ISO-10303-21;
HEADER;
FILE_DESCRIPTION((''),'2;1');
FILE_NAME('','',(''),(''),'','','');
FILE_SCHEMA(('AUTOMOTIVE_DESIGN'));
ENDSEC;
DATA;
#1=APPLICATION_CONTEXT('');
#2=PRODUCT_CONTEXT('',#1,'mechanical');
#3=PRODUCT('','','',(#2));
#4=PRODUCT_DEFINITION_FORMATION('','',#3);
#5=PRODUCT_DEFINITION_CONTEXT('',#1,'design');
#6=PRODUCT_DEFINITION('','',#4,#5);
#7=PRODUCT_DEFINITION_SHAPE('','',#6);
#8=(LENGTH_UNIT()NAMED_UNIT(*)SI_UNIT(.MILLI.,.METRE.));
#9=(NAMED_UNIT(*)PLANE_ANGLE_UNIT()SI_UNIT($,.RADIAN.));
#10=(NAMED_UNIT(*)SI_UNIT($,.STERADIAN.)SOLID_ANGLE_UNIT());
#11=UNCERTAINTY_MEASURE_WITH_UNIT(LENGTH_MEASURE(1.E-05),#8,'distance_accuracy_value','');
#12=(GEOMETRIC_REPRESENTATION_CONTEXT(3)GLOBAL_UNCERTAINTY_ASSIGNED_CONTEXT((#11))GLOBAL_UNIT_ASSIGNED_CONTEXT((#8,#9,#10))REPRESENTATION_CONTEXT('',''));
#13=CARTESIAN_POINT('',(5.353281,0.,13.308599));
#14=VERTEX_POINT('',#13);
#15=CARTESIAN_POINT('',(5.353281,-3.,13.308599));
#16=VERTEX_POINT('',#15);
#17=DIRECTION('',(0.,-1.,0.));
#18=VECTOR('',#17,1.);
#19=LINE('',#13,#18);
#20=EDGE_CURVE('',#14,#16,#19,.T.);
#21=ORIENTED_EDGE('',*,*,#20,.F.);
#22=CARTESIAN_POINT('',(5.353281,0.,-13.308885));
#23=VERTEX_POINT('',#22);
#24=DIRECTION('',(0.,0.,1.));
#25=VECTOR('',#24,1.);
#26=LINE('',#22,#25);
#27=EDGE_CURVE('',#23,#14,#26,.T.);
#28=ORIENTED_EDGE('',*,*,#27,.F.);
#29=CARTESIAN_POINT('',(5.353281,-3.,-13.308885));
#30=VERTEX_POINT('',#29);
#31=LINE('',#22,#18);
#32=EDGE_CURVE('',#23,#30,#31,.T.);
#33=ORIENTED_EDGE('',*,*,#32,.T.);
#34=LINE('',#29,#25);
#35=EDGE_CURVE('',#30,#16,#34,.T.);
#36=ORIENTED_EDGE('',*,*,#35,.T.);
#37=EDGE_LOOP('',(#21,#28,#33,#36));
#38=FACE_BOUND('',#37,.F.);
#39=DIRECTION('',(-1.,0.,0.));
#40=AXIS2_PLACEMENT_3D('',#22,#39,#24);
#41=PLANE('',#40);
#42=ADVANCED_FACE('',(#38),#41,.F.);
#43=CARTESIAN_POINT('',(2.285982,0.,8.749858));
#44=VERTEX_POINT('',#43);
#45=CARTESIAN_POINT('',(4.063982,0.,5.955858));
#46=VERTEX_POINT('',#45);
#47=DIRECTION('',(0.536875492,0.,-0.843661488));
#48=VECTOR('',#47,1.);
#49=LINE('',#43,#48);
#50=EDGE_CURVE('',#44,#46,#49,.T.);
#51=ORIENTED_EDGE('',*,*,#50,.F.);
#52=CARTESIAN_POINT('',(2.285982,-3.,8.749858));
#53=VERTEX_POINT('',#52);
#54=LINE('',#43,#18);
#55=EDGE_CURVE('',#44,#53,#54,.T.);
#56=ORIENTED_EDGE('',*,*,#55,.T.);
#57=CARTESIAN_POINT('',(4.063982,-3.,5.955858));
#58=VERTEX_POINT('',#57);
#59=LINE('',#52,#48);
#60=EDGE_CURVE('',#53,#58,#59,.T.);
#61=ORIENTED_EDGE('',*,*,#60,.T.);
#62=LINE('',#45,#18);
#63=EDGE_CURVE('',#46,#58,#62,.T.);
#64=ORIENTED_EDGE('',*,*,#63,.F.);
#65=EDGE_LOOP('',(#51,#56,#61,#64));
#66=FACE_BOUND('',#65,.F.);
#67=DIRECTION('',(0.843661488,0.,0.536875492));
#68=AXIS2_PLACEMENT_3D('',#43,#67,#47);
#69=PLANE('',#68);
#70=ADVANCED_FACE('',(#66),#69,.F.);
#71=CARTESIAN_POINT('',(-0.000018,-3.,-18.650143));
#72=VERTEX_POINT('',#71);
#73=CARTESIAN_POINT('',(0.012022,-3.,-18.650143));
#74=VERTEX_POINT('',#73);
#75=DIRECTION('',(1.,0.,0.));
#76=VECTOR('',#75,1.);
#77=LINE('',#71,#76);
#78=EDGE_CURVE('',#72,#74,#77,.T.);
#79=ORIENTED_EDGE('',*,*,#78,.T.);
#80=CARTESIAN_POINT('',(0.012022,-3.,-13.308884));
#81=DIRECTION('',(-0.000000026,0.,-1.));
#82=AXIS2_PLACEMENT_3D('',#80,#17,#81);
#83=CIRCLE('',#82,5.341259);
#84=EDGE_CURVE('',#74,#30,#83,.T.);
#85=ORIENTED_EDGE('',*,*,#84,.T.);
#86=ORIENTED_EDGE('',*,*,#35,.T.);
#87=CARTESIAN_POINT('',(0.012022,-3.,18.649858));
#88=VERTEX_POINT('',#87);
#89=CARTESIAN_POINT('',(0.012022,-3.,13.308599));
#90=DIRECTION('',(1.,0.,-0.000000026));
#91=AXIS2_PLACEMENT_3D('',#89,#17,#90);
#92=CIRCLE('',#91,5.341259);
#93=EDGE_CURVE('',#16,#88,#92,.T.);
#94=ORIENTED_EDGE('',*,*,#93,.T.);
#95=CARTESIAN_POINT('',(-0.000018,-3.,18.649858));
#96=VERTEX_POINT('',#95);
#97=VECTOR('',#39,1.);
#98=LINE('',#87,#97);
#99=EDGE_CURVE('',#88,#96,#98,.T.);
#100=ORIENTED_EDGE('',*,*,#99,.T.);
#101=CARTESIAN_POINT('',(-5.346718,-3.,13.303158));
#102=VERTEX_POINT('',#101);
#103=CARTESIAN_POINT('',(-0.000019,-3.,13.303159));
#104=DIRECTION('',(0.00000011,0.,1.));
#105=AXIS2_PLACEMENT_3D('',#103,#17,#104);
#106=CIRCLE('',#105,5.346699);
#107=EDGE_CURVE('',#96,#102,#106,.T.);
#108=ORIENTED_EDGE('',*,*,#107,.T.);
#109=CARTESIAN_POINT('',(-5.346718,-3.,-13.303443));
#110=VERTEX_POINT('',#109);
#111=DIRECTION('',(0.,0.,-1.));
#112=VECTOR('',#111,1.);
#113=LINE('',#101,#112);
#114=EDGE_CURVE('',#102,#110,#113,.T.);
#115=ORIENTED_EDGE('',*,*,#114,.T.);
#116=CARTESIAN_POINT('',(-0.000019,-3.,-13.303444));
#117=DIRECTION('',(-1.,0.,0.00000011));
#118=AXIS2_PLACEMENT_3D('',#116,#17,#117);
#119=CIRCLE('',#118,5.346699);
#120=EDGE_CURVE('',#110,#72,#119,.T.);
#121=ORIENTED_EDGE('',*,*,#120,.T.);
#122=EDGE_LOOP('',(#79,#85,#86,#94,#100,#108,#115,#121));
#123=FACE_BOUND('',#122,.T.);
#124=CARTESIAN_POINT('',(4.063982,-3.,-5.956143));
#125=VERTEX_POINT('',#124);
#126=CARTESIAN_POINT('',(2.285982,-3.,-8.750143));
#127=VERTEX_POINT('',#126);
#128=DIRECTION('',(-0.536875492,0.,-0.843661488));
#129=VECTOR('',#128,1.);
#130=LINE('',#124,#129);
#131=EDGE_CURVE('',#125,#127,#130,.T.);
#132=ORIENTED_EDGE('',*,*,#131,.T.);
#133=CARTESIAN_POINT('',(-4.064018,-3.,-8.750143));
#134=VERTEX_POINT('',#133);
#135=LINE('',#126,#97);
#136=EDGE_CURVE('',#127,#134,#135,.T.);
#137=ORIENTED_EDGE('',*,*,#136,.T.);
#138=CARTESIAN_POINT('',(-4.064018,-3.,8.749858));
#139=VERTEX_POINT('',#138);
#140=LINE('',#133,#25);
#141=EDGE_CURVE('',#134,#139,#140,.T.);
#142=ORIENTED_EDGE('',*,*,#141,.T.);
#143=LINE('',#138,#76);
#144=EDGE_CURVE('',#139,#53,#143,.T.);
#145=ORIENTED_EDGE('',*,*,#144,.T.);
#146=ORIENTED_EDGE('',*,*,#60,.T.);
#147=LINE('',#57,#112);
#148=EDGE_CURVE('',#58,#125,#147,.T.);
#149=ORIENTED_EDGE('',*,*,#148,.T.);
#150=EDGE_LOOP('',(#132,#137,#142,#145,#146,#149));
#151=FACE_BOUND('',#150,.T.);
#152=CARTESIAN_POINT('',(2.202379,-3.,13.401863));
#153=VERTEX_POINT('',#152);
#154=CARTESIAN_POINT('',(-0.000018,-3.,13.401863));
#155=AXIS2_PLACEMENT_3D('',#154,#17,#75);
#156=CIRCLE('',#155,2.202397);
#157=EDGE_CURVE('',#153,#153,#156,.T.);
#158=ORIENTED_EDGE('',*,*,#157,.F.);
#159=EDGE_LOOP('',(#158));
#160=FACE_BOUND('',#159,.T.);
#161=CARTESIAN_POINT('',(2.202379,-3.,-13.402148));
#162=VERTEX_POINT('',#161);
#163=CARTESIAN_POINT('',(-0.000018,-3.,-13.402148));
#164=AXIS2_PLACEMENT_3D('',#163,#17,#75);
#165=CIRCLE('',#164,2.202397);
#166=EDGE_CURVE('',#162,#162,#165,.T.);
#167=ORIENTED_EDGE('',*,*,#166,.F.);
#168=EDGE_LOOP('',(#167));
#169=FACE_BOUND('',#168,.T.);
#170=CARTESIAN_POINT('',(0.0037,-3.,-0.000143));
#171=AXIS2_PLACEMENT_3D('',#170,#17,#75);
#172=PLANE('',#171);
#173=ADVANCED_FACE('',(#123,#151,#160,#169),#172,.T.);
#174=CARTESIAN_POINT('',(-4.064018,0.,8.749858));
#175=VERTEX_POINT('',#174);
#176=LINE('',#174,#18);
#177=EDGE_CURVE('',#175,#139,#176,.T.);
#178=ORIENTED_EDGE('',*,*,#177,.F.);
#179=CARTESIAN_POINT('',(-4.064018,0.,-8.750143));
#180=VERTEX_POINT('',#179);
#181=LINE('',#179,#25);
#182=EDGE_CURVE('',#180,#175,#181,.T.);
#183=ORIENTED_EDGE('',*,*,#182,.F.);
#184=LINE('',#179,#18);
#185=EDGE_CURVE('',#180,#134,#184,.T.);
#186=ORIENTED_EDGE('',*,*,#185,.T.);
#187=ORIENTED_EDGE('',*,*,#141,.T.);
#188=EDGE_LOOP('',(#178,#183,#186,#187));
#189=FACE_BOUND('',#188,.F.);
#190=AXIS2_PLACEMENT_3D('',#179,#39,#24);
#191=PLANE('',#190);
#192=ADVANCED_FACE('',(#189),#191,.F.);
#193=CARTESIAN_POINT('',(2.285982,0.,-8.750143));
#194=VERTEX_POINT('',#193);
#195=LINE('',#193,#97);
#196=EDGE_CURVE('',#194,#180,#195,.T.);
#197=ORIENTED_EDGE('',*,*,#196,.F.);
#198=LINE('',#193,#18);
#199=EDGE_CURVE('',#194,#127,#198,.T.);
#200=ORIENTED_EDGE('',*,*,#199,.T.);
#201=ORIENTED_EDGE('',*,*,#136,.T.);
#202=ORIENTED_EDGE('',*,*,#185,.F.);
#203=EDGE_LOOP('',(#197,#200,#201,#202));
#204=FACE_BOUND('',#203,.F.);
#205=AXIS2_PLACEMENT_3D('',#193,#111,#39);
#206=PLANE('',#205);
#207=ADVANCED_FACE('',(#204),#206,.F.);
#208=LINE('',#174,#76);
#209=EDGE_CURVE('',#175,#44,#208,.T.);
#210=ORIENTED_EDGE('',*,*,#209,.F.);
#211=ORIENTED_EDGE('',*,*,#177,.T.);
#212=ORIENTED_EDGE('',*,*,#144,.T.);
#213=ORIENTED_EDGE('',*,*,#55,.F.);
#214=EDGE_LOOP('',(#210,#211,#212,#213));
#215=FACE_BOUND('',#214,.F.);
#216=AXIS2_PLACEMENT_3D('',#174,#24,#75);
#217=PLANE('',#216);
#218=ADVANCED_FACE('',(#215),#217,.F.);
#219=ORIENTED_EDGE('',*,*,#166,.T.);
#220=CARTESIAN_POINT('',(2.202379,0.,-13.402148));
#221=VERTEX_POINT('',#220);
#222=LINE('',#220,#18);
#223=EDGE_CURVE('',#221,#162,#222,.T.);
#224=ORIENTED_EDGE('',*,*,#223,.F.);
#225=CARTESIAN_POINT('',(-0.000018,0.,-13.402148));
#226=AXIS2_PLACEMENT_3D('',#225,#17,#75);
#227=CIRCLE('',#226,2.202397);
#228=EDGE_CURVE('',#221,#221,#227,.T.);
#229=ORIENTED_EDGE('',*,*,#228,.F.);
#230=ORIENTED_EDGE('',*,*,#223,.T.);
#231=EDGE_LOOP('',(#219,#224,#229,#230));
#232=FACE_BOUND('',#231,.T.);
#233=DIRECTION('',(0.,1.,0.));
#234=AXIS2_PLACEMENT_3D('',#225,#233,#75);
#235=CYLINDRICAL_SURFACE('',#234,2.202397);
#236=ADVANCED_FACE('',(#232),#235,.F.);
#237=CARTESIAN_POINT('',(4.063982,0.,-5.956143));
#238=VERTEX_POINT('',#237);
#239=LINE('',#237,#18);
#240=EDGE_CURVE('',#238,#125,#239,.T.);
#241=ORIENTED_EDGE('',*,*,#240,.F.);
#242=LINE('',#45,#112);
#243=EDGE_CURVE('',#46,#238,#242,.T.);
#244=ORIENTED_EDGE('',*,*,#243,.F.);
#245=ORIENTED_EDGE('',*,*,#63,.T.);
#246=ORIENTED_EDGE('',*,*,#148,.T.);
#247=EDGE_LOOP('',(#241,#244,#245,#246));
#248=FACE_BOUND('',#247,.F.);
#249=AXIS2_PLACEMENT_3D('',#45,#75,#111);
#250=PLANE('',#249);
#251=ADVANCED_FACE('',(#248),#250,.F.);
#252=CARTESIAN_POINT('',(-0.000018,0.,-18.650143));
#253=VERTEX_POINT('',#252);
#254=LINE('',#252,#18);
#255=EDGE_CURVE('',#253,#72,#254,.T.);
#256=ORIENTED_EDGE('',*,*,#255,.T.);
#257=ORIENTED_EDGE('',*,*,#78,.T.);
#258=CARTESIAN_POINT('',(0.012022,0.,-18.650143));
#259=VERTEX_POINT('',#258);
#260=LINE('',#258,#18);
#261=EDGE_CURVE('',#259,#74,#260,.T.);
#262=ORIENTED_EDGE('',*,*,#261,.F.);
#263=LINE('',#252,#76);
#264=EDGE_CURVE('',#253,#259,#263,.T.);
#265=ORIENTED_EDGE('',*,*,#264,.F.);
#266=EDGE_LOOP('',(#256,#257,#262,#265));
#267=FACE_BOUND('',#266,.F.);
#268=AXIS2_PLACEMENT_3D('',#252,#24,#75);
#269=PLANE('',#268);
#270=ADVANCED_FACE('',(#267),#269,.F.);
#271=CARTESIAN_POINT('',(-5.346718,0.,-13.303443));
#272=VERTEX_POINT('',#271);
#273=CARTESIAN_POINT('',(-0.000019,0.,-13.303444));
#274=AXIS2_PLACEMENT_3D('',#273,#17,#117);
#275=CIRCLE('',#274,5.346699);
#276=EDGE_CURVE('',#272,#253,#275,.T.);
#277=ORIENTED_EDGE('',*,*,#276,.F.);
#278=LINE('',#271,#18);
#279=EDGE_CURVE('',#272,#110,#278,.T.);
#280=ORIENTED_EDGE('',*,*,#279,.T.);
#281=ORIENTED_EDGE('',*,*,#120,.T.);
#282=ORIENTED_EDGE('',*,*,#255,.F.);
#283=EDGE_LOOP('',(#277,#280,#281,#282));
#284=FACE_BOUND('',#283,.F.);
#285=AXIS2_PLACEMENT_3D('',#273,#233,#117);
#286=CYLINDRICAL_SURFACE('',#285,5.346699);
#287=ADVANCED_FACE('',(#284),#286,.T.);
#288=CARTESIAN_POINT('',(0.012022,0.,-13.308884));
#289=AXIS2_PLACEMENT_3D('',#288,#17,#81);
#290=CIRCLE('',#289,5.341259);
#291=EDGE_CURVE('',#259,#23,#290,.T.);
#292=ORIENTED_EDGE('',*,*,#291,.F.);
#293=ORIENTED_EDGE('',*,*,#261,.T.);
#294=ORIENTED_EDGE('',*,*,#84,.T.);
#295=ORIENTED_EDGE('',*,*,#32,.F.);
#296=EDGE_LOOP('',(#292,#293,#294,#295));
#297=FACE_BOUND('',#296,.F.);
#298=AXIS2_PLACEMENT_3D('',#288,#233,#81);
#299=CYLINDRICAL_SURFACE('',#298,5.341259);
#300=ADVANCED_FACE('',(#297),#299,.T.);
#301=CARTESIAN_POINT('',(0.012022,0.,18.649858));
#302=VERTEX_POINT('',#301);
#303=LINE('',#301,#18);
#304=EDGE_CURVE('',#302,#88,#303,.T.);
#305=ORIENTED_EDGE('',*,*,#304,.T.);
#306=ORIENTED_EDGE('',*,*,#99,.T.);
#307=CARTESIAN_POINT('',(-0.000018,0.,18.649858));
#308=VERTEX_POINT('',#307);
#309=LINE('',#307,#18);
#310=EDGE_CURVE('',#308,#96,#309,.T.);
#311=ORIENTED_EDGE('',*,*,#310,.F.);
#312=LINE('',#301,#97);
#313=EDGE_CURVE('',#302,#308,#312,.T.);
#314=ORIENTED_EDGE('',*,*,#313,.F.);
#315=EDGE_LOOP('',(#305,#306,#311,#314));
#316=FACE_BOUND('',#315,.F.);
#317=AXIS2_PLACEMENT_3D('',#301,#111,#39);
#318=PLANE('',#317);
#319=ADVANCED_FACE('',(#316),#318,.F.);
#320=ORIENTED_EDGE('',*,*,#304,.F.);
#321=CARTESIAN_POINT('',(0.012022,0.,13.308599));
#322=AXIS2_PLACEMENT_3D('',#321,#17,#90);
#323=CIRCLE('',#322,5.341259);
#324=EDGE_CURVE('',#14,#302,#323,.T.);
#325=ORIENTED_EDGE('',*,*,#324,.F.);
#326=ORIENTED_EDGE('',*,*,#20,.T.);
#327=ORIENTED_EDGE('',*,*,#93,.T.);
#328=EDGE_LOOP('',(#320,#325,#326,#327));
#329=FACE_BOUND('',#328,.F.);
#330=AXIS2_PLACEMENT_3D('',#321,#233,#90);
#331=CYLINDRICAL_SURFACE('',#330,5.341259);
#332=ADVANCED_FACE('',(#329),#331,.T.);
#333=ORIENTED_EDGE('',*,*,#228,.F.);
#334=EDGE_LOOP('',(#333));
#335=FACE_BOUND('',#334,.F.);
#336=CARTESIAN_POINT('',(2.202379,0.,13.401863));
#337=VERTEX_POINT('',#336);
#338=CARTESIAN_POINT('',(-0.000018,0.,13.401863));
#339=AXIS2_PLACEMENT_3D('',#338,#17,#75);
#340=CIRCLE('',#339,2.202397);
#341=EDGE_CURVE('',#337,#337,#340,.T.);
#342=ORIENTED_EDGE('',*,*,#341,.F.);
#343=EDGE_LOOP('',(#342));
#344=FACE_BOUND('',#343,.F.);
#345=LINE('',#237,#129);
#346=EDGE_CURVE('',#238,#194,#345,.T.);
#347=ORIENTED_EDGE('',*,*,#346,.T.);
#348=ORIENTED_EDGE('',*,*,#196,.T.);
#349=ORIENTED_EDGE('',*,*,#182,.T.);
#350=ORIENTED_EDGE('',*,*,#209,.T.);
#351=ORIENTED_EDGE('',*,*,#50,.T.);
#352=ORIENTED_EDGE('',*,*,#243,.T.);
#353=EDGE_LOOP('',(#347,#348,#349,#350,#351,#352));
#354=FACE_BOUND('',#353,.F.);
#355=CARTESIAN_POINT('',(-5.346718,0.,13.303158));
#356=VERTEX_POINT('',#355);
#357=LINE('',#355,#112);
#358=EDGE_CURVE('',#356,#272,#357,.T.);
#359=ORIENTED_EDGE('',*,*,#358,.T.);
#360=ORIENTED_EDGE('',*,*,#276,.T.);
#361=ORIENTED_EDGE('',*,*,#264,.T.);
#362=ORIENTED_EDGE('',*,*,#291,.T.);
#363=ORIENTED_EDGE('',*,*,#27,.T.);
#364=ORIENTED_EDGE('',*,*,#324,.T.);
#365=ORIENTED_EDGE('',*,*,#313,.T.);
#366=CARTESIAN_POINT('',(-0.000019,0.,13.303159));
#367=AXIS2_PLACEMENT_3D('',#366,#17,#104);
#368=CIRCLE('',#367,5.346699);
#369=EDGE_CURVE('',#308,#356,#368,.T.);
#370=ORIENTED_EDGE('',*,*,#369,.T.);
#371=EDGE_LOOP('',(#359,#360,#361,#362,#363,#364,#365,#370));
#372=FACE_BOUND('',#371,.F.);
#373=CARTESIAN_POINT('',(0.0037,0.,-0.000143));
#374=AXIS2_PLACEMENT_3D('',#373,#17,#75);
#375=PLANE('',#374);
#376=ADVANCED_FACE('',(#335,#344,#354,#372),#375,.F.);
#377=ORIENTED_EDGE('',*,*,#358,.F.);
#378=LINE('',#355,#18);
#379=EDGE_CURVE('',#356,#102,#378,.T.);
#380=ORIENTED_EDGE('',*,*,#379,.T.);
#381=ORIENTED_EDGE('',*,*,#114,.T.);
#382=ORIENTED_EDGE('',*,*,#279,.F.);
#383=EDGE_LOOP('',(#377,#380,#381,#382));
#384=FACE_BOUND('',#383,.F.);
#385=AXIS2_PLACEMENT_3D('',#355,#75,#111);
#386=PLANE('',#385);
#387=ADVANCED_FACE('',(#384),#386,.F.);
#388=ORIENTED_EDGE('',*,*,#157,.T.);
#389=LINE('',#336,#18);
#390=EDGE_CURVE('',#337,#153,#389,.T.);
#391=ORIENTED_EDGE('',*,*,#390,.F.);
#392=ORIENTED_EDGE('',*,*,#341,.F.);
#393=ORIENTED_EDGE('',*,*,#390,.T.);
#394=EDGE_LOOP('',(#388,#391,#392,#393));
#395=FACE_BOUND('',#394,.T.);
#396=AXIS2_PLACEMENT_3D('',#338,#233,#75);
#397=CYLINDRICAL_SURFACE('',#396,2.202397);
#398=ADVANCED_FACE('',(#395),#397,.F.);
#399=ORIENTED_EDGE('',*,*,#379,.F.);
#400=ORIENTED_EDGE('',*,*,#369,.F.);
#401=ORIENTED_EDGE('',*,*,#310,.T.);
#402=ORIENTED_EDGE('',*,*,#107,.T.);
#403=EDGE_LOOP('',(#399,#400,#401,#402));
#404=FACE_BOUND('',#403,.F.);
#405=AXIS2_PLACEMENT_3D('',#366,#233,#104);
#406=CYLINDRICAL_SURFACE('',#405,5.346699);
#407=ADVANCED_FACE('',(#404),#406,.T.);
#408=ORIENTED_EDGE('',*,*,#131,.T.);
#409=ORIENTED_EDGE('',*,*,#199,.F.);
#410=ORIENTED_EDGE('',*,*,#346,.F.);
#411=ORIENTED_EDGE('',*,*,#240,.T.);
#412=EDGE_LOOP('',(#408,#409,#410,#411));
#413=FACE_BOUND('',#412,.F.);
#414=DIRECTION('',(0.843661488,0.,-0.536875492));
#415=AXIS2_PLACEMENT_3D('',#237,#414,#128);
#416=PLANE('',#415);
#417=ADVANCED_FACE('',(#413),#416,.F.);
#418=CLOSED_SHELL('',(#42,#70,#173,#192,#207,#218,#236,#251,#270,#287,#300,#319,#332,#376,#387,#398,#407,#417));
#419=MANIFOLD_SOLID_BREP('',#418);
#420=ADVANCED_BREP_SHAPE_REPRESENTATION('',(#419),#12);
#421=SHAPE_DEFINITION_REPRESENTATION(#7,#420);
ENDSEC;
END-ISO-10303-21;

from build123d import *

# Parameters (mm, degrees)
F0_R     = 2.202397
F1_DEPTH = 3


with BuildPart() as f1:
    # F0 (on Front) → F1 (new body)
    with BuildSketch(Plane.XZ):
        with BuildLine():
            ThreePointArc((5.353281, 13.308599), (3.788862, 17.08544), (0.012022, 18.649858))
            Line((0.012022, 18.649858), (-1.8e-05, 18.649858))
            ThreePointArc((-1.8e-05, 18.649858), (-3.780706, 17.083846), (-5.346718, 13.303158))
            Line((-5.346718, 13.303158), (-5.346718, -13.303443))
            ThreePointArc((-5.346718, -13.303443), (-3.780706, -17.084131), (-1.8e-05, -18.650143))
            Line((-1.8e-05, -18.650143), (0.012022, -18.650143))
            ThreePointArc((0.012022, -18.650143), (3.788862, -17.085725), (5.353281, -13.308885))
            Line((5.353281, -13.308885), (5.353281, 13.308599))
        make_face()
        with Locations((-1.8e-05, -13.402148)):
            Circle(F0_R, mode=Mode.SUBTRACT)
        Polygon((4.063982, -5.956143), (2.285982, -8.750143), (-4.064018, -8.750143), (-4.064018, 8.749858), (2.285982, 8.749858), (4.063982, 5.955858), align=None, mode=Mode.SUBTRACT)
        with Locations((-1.8e-05, 13.401863)):
            Circle(F0_R, mode=Mode.SUBTRACT)
    extrude(amount=F1_DEPTH)


solid = f1.part
